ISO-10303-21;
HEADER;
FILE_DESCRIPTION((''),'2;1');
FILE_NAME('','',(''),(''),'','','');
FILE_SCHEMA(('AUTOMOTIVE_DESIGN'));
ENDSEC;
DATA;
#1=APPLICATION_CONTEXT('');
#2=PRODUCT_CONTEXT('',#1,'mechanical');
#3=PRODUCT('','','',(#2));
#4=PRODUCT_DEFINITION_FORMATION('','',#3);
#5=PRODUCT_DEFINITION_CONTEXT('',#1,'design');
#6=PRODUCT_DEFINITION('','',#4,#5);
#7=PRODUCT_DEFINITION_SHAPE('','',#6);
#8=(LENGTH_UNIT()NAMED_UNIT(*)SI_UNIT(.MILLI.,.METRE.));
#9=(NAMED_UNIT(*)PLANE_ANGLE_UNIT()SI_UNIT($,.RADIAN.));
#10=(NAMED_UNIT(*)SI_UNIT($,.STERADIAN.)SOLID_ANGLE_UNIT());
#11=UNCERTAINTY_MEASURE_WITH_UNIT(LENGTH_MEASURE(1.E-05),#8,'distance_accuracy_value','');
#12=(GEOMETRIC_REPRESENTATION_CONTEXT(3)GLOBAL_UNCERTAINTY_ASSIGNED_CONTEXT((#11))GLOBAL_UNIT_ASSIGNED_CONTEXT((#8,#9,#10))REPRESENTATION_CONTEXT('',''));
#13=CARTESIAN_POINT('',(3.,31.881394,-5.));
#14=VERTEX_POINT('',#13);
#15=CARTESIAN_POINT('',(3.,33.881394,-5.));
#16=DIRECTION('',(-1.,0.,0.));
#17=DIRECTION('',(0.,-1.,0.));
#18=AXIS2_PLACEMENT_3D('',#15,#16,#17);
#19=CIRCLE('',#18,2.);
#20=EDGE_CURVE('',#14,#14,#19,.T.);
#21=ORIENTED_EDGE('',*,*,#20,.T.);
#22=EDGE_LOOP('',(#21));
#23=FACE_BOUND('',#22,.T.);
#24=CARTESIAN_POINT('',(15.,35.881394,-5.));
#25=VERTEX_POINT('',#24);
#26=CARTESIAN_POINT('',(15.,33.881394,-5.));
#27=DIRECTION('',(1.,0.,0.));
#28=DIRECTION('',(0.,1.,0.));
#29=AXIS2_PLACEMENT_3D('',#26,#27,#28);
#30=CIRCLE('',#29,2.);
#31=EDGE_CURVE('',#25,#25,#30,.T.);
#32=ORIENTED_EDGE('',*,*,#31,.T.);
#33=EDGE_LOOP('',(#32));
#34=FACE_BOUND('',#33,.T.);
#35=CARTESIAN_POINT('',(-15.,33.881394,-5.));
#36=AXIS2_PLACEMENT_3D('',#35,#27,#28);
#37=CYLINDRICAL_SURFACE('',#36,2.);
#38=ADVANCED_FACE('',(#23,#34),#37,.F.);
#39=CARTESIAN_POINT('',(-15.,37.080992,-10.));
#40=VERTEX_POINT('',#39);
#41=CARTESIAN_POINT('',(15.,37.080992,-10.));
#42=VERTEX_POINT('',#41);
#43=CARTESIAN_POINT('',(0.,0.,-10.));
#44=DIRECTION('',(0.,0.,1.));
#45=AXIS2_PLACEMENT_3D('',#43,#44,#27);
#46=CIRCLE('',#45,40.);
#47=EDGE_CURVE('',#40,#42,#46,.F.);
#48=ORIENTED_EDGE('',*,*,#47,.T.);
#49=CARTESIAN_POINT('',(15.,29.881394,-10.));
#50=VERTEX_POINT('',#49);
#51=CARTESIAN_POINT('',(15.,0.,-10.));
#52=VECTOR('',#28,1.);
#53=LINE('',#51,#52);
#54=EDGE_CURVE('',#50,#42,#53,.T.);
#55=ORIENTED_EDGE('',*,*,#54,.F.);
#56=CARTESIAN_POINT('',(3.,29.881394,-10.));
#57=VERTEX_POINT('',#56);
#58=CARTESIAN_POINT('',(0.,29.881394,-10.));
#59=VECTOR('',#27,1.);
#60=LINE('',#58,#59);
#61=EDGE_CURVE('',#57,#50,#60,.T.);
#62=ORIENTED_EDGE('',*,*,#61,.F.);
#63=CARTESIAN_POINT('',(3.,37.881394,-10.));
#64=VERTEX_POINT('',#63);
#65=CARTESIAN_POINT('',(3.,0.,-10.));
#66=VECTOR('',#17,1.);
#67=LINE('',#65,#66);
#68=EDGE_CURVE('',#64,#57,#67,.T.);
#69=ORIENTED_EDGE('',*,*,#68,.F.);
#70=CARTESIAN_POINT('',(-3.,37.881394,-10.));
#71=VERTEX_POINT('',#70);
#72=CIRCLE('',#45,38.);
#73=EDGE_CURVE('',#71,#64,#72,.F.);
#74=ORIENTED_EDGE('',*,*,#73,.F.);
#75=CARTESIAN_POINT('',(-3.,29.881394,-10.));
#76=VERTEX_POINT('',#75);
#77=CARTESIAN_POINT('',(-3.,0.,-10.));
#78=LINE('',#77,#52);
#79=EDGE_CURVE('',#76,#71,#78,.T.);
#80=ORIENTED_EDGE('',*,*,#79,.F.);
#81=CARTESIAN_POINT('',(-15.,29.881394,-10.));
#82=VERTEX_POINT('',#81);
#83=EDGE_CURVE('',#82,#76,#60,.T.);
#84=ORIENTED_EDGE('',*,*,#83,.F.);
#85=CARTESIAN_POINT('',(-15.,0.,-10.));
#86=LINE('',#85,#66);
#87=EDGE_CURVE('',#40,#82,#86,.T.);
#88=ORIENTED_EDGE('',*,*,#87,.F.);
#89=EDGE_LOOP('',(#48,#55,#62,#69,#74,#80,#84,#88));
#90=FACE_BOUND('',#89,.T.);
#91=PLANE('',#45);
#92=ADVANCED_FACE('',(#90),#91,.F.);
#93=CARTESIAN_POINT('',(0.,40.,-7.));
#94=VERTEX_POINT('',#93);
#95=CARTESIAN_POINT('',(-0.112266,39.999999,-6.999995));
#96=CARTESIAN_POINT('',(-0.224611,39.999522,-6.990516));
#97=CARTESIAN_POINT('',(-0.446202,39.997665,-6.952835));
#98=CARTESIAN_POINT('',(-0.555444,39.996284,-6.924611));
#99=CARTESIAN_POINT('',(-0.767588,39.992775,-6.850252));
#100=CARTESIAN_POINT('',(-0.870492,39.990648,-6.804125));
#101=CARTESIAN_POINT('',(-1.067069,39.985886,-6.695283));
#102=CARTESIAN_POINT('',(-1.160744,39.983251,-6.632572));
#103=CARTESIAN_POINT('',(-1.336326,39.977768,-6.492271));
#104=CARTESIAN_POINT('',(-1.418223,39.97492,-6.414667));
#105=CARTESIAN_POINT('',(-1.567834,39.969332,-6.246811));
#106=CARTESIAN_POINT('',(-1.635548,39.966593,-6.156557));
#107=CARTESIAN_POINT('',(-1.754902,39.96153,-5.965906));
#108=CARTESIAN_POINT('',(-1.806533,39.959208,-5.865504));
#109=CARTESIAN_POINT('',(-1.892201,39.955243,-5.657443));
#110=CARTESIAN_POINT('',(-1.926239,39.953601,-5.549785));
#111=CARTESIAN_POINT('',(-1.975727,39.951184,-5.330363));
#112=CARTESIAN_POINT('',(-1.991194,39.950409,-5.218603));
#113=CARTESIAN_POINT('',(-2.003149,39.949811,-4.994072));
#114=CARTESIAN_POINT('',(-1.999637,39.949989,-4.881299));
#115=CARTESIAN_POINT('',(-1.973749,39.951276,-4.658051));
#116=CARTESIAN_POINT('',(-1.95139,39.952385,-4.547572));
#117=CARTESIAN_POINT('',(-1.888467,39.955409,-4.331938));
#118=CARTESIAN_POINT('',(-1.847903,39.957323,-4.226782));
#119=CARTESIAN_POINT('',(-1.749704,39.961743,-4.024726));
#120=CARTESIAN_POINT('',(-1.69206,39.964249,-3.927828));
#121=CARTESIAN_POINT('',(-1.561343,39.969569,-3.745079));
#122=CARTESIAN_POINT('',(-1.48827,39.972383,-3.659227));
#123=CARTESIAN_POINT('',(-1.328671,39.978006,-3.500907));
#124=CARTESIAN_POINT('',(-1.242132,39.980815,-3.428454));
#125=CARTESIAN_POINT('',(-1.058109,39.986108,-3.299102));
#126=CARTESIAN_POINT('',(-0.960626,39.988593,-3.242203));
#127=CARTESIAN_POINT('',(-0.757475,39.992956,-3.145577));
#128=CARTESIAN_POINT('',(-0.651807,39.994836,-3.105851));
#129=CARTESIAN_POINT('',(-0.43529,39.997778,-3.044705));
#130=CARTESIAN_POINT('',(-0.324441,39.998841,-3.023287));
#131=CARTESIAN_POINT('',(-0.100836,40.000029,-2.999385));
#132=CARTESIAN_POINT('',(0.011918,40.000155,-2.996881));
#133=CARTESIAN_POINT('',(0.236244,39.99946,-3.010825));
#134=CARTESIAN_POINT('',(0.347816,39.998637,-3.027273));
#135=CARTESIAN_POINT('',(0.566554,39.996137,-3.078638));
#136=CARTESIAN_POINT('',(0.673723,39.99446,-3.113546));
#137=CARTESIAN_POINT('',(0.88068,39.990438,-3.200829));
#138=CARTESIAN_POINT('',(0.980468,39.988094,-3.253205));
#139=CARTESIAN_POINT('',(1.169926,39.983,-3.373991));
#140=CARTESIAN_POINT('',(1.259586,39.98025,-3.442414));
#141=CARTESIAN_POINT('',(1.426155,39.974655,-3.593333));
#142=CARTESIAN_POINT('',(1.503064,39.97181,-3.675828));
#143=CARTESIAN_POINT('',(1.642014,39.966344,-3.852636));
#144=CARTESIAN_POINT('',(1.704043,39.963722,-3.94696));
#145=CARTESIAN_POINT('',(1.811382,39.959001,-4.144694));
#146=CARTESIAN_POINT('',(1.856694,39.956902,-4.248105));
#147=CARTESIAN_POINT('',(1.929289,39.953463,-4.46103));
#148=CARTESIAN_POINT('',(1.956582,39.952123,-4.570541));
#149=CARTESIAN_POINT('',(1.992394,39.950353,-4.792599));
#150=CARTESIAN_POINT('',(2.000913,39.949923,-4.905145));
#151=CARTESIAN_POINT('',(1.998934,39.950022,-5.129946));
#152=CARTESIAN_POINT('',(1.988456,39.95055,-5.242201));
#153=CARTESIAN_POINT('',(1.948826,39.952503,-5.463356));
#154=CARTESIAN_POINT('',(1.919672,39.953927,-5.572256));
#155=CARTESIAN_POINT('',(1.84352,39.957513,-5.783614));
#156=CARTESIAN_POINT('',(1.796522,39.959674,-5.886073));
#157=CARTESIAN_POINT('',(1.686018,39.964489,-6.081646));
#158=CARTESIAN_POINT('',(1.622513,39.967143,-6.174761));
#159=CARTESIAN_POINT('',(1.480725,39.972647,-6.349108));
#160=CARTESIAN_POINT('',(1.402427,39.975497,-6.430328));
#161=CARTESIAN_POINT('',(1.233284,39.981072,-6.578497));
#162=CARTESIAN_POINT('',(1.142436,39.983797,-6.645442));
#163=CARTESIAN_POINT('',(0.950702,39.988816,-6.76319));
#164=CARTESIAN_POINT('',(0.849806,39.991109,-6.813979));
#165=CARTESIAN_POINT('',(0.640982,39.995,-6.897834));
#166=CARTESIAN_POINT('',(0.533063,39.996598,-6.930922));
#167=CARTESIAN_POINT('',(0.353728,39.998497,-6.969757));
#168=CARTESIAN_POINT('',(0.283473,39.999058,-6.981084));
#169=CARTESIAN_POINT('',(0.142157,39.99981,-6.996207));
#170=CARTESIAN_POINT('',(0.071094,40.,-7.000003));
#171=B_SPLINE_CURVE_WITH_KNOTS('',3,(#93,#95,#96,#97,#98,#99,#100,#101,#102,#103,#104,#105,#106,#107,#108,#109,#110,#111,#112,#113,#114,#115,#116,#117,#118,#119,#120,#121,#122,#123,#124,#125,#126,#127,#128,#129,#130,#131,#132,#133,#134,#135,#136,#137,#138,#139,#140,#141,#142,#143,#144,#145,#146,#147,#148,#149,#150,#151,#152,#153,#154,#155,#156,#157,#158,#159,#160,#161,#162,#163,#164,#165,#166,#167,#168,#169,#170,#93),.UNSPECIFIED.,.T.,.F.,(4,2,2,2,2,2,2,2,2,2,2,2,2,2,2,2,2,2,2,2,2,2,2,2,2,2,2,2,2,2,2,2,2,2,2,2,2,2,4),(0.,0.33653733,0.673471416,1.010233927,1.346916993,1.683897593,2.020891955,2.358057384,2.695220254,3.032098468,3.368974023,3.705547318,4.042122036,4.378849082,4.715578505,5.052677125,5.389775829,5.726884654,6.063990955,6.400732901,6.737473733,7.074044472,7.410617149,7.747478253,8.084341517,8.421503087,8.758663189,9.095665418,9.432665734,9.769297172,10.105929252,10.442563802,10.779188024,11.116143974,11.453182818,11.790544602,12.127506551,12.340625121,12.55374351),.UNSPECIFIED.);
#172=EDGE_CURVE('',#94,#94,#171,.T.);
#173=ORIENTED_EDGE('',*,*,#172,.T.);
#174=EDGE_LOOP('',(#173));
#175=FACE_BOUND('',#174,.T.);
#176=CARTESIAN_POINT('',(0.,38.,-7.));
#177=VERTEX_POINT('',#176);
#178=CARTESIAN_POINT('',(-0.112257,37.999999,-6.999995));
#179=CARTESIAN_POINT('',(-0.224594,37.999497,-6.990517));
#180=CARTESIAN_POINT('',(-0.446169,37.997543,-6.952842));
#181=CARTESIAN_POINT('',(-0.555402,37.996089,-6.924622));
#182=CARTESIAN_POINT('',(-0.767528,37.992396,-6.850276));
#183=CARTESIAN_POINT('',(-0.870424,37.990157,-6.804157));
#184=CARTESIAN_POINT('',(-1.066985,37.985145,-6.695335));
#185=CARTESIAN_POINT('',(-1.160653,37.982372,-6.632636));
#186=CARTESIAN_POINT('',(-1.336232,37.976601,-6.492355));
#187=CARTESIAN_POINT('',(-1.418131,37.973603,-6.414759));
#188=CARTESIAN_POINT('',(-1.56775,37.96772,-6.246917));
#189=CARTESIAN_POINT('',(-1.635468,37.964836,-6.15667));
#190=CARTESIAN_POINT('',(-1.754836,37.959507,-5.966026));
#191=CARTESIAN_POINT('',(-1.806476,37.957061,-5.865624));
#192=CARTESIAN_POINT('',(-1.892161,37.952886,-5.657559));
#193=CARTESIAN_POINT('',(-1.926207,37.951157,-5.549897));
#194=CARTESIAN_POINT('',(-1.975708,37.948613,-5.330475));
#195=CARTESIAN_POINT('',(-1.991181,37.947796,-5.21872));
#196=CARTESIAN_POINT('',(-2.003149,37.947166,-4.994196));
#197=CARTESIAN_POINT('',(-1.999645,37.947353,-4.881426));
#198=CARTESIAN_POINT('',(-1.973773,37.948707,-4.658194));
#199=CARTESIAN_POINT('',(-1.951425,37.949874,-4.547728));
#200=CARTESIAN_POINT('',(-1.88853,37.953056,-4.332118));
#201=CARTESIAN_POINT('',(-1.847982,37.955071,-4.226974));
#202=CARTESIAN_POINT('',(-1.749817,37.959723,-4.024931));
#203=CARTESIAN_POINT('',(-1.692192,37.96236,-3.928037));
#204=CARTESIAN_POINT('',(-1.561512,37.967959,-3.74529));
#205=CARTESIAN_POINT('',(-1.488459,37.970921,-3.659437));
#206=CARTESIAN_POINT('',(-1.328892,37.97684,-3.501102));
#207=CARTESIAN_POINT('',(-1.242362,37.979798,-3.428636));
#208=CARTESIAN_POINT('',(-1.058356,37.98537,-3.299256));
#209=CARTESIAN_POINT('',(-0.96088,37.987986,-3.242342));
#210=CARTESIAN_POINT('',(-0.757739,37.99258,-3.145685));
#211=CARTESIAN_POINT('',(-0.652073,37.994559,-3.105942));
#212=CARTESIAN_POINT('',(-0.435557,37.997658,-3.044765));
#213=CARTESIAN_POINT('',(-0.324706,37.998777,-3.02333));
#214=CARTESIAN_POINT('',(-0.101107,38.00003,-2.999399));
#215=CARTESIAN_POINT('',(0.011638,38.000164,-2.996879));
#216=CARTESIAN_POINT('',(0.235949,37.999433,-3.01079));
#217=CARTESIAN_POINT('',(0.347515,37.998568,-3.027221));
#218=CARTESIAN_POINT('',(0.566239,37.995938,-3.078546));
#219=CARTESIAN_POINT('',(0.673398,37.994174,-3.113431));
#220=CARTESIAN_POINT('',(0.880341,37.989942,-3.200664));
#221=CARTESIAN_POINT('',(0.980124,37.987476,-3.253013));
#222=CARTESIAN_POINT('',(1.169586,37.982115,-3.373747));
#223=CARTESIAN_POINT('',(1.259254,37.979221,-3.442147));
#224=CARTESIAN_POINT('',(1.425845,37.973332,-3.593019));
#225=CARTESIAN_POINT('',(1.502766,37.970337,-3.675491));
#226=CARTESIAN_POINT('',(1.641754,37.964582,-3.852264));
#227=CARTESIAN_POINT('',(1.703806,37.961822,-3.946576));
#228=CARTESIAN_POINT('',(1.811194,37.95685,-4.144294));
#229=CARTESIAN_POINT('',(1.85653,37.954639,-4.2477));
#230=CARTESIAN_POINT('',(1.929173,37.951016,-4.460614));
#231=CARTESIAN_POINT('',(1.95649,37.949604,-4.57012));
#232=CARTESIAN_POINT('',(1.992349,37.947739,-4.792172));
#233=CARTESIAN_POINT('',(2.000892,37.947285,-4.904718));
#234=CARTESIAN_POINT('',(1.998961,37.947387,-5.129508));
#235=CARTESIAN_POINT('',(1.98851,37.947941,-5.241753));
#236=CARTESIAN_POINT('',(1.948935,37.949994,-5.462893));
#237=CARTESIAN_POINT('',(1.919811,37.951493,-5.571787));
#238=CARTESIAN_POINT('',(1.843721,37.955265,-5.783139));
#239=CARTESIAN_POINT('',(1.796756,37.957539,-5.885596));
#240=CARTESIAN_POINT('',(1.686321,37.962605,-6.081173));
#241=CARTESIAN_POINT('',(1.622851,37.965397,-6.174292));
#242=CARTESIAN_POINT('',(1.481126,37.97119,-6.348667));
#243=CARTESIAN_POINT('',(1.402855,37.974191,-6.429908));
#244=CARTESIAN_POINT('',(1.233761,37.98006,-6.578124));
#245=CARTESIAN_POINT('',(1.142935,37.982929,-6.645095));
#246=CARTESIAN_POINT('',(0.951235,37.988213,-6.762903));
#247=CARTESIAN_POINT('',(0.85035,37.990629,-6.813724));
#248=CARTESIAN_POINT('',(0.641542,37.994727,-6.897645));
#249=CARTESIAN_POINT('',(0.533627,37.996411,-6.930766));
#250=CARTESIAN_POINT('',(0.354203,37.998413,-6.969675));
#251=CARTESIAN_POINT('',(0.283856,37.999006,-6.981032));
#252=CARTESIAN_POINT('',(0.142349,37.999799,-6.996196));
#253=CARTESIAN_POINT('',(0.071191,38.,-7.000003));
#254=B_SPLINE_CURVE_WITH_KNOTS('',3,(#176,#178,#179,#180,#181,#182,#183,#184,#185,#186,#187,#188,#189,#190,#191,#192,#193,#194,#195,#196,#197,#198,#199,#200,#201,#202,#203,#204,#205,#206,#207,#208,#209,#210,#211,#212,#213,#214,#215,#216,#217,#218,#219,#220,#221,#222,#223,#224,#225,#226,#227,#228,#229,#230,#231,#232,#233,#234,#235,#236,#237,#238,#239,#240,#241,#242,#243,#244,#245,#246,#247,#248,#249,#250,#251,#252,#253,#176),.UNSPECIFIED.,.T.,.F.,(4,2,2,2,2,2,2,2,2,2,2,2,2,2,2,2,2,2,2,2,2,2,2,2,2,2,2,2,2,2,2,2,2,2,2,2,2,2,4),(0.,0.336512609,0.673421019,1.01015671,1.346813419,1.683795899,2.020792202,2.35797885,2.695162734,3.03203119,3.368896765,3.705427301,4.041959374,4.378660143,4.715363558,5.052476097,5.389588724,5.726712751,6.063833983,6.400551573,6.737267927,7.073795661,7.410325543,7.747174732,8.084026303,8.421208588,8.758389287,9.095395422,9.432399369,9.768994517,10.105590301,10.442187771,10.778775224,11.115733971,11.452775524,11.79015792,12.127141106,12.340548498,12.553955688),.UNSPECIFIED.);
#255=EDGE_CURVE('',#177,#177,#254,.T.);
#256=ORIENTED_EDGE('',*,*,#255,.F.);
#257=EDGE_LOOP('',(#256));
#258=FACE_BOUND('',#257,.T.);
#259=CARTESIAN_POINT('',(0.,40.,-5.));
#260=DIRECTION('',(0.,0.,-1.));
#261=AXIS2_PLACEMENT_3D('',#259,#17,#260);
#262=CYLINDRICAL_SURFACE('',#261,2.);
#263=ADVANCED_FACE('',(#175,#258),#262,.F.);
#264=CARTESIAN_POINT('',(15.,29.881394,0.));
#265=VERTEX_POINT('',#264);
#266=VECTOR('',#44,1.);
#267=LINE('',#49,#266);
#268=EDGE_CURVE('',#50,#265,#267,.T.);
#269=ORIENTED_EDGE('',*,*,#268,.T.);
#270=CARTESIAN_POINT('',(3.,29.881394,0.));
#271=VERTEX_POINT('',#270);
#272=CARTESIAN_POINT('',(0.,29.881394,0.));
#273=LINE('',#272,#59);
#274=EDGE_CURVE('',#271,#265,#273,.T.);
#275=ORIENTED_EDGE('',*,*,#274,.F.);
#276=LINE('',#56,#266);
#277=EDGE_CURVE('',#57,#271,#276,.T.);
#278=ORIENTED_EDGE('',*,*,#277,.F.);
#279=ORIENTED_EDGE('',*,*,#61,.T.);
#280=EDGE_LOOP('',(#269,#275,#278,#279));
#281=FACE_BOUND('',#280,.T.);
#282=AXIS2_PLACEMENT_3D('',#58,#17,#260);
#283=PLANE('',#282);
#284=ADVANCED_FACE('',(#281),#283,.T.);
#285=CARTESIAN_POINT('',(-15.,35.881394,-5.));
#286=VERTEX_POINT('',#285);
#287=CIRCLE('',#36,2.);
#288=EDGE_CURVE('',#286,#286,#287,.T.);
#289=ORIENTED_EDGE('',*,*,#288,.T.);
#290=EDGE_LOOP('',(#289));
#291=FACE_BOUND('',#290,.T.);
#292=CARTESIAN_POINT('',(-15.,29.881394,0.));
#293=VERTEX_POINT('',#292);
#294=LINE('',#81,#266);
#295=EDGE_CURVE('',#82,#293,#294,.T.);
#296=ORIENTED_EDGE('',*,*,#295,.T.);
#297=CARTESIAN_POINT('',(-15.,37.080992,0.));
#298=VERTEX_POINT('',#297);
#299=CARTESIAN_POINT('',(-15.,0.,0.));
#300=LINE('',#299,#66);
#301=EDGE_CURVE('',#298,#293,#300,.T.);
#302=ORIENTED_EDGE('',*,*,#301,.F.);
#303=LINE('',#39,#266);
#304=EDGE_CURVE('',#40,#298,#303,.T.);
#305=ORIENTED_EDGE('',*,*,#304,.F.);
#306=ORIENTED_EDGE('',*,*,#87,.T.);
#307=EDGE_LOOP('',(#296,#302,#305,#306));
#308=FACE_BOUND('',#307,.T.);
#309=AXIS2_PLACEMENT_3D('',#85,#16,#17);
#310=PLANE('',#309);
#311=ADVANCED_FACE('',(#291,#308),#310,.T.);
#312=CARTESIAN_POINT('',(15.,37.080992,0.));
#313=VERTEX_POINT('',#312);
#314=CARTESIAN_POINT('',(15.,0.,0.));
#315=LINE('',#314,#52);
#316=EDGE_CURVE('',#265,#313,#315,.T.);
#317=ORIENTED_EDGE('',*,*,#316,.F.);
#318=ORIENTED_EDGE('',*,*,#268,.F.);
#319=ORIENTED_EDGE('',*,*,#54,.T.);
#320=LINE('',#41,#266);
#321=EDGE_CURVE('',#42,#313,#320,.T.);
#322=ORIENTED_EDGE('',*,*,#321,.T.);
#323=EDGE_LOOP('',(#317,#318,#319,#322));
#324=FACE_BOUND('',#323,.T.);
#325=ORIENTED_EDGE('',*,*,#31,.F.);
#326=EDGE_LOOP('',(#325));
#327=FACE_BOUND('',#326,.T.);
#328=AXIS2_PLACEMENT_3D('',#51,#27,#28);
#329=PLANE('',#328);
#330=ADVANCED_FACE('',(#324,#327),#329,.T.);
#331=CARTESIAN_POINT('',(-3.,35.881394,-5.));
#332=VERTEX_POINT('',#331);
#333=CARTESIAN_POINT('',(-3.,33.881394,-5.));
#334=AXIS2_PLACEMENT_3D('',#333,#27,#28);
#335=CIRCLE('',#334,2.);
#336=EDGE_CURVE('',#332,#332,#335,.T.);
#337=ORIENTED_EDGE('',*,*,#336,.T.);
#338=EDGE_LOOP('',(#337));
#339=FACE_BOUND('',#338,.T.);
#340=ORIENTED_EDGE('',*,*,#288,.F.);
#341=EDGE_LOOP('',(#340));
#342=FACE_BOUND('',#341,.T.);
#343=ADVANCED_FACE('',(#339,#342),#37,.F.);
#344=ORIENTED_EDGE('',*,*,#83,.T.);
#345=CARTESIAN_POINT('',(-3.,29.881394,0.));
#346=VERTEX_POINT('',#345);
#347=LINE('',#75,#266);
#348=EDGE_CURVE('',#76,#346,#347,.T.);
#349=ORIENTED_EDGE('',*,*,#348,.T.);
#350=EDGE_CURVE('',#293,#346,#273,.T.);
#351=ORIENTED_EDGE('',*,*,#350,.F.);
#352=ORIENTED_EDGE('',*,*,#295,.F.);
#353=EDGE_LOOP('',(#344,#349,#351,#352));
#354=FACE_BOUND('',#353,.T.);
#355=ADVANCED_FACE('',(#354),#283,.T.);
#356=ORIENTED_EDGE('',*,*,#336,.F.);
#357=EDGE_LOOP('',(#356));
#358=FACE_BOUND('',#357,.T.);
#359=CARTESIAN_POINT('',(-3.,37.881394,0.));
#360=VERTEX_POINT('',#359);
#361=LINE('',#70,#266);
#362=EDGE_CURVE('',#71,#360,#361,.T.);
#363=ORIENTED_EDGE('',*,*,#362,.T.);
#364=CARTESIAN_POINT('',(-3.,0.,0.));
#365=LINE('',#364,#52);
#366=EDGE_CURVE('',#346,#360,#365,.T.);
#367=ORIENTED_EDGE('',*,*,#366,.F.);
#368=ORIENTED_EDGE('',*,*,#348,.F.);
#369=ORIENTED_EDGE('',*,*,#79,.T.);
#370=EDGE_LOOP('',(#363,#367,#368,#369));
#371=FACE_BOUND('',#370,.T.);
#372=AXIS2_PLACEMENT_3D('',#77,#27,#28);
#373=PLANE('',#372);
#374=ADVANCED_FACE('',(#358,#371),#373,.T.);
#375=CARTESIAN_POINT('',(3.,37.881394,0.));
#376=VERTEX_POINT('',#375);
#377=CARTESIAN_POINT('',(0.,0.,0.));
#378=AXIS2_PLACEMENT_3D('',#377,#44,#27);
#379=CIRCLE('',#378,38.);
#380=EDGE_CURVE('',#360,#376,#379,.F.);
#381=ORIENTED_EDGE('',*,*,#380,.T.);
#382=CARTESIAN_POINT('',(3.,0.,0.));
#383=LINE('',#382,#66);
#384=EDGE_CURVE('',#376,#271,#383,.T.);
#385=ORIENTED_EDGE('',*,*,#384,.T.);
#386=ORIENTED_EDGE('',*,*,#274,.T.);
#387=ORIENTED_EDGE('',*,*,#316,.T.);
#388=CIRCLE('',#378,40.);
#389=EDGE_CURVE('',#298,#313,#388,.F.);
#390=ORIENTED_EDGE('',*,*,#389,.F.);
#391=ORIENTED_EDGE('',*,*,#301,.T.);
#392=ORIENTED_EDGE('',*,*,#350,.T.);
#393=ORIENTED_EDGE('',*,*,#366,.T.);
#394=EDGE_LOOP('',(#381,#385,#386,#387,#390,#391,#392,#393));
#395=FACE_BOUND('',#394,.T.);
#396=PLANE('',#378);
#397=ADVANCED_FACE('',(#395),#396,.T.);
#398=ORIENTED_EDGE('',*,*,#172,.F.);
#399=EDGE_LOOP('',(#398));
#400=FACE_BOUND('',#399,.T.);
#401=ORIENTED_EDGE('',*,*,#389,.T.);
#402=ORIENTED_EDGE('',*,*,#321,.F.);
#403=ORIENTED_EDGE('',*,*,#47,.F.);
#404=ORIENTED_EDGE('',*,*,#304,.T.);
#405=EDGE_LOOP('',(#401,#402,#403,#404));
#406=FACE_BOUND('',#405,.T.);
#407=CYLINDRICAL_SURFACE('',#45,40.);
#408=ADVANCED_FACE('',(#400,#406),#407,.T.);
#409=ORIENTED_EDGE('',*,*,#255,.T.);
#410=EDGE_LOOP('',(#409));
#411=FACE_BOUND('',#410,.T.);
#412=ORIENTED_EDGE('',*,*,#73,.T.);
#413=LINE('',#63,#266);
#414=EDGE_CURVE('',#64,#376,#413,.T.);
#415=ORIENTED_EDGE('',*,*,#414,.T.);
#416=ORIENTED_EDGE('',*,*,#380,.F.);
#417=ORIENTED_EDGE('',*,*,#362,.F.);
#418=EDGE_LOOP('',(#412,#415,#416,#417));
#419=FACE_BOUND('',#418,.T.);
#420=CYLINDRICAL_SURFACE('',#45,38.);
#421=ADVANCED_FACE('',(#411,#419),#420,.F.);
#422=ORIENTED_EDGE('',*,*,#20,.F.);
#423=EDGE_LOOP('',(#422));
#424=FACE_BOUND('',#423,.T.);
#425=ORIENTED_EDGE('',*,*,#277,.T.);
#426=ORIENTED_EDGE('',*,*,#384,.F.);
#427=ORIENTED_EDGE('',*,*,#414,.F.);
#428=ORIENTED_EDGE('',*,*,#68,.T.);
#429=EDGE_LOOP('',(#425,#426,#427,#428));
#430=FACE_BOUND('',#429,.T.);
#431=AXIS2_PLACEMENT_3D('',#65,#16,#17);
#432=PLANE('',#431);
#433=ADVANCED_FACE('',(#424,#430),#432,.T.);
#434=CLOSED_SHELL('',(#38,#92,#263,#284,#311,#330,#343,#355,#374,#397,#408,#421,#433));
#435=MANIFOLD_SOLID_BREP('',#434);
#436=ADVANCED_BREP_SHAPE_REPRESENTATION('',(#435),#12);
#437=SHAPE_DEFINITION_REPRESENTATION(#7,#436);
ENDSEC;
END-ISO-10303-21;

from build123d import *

# Parameters (mm, degrees)
BOSS_EXTRUDE1_DEPTH     = 10
CUT_EXTRUDE2_DEPTH      = 45.988887517
CUT_EXTRUDE2_DEPTH_BACK = 45.988887517
SKETCH5_R               = 2
CUT_EXTRUDE3_DEPTH      = 44.874821937


with BuildPart() as part:
    # Sketch1 → Boss-Extrude1 (new body)
    with BuildSketch(Plane.XY):
        with BuildLine():
            ThreePointArc((-15, 37.080992435), (0, 40), (15, 37.080992435))
            Line((15, 37.080992435), (15, 29.88139385))
            Line((15, 29.88139385), (3, 29.88139385))
            Line((3, 29.88139385), (3, 37.88139385))
            ThreePointArc((3, 37.88139385), (0, 38), (-3, 37.88139385))
            Line((-3, 37.88139385), (-3, 29.88139385))
            Line((-3, 29.88139385), (-15, 29.88139385))
            Line((-15, 29.88139385), (-15, 37.080992435))
        make_face()
    extrude(amount=-BOSS_EXTRUDE1_DEPTH)

    # Sketch4 → Cut-Extrude2 (cut, two sides: drawn at the far end of the back side and taken through both)
    with BuildSketch(Plane(origin=(-3, 0, 0), x_dir=(0, 0, -1), z_dir=(1, 0, 0)).offset(-CUT_EXTRUDE2_DEPTH_BACK)):
        with BuildLine():
            ThreePointArc((3, 33.88139385), (5, 31.88139385), (7, 33.88139385))
            Line((7, 33.88139385), (3, 33.88139385))
        make_face()
        with BuildLine():
            Line((3, 33.88139385), (7, 33.88139385))
            ThreePointArc((7, 33.88139385), (5, 35.88139385), (3, 33.88139385))
        make_face()
    extrude(amount=CUT_EXTRUDE2_DEPTH + CUT_EXTRUDE2_DEPTH_BACK, mode=Mode.SUBTRACT)

    # Sketch5 → Cut-Extrude3 (cut, through all)
    with BuildSketch(Plane(origin=(0, 0, 0), x_dir=(1, 0, 0), z_dir=(0, 1, 0))):
        with Locations(Location((0, 5, 0), (0, 0, 90))):
            Circle(SKETCH5_R)
    extrude(amount=CUT_EXTRUDE3_DEPTH, mode=Mode.SUBTRACT)


solid = part.part
